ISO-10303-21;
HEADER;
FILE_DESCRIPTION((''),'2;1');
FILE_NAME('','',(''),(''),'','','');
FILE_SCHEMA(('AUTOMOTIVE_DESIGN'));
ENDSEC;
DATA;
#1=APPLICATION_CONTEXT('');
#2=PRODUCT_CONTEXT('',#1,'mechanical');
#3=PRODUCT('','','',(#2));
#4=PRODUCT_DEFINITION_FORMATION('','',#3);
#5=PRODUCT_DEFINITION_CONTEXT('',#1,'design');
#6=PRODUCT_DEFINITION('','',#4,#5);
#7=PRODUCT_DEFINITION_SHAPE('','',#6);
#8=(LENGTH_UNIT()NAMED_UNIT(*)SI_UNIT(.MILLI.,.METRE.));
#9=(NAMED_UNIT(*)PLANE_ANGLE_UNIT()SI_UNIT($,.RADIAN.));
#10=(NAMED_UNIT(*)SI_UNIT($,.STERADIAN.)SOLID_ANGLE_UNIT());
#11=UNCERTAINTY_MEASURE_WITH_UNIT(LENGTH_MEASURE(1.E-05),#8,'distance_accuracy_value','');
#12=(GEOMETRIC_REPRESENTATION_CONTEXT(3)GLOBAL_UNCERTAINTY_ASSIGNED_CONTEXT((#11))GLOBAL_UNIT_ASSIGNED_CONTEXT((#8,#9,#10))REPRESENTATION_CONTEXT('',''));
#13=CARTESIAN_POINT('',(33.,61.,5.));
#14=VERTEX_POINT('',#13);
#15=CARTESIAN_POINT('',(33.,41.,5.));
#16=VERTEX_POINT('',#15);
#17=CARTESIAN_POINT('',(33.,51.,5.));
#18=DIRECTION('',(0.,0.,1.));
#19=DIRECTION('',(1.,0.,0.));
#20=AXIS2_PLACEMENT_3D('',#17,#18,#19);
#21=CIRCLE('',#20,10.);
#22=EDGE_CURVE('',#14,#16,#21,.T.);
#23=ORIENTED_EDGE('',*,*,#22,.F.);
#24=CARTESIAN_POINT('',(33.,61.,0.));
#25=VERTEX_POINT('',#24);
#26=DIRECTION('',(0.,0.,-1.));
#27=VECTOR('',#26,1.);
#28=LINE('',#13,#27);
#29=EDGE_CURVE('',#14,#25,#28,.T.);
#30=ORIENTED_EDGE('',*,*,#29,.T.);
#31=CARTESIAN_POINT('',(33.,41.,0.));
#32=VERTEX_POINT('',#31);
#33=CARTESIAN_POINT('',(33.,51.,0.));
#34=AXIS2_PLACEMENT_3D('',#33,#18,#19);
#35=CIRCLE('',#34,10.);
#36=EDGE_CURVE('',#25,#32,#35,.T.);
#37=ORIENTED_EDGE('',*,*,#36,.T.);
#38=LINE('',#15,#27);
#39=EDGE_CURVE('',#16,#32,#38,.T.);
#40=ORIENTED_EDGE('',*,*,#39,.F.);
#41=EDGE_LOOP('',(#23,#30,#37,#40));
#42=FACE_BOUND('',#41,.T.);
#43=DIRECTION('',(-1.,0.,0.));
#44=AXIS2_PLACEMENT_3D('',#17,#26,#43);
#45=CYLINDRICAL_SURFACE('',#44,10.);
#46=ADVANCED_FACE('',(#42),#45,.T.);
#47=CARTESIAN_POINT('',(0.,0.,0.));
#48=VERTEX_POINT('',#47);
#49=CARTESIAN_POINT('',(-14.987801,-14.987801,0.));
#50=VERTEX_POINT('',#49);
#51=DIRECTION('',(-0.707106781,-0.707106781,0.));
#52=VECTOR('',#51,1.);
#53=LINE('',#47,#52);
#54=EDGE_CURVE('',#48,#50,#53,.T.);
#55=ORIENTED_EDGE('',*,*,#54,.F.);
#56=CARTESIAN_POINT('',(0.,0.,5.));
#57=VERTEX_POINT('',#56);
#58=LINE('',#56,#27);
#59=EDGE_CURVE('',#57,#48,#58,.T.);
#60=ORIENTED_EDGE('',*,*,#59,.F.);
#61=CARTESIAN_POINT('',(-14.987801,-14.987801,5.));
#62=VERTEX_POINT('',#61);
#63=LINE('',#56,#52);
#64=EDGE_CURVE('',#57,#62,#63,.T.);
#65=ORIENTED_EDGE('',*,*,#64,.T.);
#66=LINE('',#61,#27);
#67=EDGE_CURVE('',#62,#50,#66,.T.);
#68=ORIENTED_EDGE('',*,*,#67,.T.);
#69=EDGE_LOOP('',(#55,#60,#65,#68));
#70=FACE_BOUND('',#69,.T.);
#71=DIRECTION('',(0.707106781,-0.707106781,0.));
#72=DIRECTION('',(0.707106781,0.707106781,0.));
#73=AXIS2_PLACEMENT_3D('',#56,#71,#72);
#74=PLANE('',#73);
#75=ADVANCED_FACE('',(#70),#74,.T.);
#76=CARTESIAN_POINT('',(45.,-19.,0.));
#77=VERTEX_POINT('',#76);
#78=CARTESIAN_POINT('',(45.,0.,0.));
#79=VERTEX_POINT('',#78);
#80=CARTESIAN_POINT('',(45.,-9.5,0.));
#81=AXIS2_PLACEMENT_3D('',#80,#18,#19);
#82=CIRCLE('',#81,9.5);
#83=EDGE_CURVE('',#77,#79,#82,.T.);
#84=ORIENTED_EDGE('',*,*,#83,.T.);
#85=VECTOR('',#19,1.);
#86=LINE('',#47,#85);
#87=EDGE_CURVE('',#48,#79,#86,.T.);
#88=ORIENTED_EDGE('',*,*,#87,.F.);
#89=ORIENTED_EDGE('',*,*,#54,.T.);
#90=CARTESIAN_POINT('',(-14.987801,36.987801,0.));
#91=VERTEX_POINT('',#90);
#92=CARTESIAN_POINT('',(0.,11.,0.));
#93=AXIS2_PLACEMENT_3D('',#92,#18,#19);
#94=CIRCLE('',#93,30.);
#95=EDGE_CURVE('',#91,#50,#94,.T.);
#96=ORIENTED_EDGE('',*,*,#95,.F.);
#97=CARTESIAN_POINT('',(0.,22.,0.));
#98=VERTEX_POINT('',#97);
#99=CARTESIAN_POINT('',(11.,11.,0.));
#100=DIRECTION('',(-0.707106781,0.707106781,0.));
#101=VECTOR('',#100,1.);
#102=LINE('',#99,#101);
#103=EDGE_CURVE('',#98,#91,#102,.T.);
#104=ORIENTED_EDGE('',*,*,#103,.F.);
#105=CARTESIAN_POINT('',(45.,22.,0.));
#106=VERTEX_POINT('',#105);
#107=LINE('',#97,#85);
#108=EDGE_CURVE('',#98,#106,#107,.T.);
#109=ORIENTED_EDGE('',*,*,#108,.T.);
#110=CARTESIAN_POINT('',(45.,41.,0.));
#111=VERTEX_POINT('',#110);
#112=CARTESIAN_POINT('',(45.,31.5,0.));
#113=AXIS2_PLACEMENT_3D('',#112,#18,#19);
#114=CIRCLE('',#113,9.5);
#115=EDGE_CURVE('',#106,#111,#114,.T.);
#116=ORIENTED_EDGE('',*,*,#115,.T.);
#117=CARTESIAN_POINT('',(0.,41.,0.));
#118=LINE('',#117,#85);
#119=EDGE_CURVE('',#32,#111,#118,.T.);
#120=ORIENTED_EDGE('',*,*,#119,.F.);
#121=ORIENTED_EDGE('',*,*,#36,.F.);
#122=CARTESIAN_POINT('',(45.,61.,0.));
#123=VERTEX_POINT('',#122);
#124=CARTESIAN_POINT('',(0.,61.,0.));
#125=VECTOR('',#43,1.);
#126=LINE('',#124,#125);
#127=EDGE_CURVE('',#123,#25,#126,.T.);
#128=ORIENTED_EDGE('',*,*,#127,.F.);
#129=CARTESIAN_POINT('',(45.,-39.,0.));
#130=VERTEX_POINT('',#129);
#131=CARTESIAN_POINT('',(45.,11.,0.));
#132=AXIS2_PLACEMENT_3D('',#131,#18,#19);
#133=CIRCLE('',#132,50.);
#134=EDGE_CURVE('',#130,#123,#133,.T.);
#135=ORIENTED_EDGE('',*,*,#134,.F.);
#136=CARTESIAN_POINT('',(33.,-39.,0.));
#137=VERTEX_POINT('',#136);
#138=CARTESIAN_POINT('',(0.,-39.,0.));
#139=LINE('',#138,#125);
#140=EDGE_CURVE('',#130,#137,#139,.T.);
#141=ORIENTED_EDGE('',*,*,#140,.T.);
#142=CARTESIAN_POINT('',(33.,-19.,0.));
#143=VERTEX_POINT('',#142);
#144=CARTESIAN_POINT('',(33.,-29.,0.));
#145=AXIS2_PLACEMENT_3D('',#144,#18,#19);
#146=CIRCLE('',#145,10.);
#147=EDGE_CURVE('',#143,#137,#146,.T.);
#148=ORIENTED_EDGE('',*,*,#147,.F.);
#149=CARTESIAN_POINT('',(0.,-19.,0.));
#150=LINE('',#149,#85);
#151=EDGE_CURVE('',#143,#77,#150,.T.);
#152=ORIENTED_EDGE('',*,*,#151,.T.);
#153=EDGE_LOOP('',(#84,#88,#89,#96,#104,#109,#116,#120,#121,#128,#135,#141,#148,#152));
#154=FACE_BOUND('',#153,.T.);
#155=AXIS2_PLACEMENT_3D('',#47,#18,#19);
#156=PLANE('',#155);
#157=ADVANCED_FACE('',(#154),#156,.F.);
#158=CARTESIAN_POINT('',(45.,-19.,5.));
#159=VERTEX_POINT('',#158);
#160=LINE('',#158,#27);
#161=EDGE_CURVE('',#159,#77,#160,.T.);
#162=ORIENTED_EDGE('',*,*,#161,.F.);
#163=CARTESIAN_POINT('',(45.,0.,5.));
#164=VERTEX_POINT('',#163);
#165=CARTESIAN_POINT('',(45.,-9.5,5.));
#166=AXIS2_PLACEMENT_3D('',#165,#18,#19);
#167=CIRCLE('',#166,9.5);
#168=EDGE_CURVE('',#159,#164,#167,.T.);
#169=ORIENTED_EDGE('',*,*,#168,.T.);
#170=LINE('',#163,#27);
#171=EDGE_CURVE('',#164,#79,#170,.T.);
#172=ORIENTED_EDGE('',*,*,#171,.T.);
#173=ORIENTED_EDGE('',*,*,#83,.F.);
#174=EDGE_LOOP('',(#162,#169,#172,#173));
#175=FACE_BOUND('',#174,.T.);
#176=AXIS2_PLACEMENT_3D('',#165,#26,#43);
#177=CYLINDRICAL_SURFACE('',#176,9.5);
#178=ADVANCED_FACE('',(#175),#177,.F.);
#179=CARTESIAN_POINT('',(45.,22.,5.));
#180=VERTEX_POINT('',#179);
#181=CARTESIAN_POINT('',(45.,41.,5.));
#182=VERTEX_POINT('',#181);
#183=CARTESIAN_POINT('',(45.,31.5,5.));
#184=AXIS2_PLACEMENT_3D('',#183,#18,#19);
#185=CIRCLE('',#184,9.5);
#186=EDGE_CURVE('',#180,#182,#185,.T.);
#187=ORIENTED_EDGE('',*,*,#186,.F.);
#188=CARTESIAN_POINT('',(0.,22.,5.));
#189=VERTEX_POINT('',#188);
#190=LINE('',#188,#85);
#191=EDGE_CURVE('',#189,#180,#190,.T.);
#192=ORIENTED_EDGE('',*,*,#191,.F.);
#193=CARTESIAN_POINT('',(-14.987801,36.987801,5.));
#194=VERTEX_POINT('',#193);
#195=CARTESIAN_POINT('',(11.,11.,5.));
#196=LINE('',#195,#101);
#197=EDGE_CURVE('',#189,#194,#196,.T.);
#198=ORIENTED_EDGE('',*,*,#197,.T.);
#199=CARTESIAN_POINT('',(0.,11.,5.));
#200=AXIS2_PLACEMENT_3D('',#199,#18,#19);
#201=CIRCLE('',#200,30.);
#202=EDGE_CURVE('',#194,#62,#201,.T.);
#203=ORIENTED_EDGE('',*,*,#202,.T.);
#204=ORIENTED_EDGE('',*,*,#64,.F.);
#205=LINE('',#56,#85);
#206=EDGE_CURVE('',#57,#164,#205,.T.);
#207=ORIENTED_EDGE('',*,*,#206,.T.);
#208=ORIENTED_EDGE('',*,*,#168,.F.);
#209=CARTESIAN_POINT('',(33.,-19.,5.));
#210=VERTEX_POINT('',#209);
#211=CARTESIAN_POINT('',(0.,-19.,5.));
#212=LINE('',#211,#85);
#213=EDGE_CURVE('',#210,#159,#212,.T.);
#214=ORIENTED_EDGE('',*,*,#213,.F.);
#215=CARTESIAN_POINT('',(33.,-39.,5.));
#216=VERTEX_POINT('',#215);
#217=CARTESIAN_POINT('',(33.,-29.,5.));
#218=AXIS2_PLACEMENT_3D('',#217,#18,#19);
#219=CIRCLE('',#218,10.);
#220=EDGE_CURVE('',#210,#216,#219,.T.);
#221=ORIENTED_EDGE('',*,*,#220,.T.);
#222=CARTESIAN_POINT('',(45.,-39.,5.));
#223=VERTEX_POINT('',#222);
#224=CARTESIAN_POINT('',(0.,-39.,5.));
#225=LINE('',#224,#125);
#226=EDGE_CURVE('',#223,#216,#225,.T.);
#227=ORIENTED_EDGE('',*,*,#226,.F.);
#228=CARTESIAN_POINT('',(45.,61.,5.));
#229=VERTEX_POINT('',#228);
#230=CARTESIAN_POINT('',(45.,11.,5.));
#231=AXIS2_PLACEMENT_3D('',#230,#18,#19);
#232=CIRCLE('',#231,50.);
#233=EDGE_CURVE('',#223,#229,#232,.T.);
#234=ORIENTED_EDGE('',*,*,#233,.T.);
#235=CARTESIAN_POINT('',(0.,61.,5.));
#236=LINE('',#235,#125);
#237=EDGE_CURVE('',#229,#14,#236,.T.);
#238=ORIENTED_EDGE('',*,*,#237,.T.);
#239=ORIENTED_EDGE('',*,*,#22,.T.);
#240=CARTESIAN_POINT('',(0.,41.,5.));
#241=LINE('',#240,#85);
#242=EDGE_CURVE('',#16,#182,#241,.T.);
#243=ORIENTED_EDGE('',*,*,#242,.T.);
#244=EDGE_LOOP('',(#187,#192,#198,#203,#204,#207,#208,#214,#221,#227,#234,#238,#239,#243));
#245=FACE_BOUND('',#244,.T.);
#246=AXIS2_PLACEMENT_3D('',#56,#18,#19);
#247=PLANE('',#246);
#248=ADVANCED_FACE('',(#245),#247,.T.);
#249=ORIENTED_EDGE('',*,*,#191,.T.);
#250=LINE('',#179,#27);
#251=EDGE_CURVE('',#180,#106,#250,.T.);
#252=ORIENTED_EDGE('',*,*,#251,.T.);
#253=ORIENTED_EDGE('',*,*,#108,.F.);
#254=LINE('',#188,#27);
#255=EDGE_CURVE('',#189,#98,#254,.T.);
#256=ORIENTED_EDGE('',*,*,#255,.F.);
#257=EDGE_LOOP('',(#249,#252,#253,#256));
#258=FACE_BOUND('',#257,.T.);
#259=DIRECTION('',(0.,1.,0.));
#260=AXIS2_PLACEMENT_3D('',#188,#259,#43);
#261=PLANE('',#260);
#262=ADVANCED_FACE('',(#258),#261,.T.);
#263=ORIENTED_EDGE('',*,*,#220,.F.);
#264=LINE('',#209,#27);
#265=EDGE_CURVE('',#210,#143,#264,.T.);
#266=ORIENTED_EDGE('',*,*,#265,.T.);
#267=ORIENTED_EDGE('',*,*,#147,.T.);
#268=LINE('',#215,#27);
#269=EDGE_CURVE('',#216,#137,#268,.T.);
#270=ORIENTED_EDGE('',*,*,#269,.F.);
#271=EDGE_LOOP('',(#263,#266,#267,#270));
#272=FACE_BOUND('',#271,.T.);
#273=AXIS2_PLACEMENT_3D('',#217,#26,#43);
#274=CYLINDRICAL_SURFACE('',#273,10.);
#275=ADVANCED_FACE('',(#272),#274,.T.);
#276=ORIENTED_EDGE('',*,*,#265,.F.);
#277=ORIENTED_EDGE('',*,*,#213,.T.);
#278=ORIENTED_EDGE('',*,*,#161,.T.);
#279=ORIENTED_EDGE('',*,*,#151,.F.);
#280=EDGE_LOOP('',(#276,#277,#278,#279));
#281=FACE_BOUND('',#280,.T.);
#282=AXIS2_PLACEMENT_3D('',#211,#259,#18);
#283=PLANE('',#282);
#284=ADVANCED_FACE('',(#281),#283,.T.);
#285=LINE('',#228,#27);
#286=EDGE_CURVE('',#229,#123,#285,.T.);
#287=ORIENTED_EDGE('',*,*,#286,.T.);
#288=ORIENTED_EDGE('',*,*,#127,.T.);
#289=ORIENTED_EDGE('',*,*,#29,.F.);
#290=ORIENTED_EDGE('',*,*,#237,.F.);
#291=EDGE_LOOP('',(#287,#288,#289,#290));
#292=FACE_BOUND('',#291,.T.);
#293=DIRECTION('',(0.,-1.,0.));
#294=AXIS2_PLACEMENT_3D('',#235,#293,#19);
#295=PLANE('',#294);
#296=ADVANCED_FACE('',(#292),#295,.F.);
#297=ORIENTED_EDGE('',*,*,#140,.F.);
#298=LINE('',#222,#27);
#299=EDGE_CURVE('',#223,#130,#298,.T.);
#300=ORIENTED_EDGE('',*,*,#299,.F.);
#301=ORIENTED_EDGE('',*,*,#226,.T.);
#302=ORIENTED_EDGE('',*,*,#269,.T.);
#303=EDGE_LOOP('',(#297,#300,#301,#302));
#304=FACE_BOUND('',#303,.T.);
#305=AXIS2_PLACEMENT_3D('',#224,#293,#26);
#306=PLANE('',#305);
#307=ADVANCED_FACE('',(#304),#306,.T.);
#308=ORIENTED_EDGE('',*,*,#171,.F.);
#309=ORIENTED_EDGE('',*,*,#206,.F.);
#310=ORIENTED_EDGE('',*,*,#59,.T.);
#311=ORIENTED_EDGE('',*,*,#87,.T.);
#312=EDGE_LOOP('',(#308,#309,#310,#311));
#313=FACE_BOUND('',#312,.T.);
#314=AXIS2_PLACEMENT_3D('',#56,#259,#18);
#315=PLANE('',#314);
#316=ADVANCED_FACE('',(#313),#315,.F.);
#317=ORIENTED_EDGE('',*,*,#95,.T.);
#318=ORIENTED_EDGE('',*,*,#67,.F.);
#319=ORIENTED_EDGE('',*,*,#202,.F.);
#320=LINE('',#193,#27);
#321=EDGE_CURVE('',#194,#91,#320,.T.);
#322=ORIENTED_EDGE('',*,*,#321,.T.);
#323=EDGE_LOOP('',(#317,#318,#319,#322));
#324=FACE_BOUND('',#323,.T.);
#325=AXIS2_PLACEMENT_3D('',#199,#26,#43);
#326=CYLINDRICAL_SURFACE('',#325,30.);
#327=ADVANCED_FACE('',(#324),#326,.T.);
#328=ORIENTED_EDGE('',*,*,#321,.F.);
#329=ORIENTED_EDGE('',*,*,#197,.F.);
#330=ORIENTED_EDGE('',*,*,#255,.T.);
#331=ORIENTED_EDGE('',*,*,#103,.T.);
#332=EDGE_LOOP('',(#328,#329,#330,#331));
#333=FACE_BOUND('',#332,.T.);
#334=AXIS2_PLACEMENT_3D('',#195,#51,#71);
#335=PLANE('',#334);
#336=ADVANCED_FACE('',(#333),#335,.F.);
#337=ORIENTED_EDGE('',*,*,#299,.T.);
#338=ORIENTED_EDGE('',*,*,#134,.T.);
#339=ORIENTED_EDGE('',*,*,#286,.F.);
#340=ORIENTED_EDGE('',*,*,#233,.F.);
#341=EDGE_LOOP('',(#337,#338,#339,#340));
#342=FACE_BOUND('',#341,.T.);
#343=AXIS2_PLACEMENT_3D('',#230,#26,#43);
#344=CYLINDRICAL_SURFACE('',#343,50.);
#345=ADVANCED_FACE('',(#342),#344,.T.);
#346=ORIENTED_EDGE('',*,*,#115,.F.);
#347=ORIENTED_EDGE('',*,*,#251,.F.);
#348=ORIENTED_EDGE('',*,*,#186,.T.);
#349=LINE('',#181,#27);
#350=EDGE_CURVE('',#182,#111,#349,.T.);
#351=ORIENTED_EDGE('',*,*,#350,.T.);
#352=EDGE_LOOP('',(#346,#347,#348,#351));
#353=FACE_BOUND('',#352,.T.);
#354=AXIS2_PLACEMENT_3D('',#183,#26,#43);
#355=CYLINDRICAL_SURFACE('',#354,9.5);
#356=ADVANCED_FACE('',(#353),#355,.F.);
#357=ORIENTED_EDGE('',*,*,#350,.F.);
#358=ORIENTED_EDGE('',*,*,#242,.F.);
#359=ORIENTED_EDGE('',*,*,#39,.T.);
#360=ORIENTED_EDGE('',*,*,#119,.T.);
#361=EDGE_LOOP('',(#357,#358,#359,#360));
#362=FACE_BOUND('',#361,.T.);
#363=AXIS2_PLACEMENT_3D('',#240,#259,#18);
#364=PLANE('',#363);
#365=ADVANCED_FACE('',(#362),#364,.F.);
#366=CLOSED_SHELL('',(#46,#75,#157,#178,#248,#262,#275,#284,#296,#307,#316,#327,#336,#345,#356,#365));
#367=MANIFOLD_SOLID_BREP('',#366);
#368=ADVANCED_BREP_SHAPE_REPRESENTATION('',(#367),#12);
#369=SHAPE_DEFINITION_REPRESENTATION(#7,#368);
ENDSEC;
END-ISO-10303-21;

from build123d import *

# Parameters (mm, degrees)
SKETCH1_W           = 45
SKETCH1_H           = 22
BOSS_EXTRUDE1_DEPTH = 5


with BuildPart() as part:
    # Sketch1 → Boss-Extrude1 (new body)
    with BuildSketch(Plane.XY):
        with BuildLine():
            Line((0, 22), (-14.987801249, 36.987801249))
            ThreePointArc((-14.987801249, 36.987801249), (-30, 11), (-14.987801249, -14.987801249))
            Line((-14.987801249, -14.987801249), (0, 0))
            Line((0, 0), (0, 22))
        make_face()
        with Locations((22.5, 11)):
            Rectangle(SKETCH1_W, SKETCH1_H)
        with BuildLine():
            ThreePointArc((45, -19), (54.5, -9.5), (45, 0))
            Line((45, 0), (45, 22))
            ThreePointArc((45, 22), (54.5, 31.5), (45, 41))
            Line((45, 41), (33, 41))
            ThreePointArc((33, 41), (23, 51), (33, 61))
            Line((33, 61), (45, 61))
            ThreePointArc((45, 61), (95, 11), (45, -39))
            Line((45, -39), (33, -39))
            ThreePointArc((33, -39), (23, -29), (33, -19))
            Line((33, -19), (45, -19))
        make_face()
    extrude(amount=BOSS_EXTRUDE1_DEPTH)


solid = part.part
